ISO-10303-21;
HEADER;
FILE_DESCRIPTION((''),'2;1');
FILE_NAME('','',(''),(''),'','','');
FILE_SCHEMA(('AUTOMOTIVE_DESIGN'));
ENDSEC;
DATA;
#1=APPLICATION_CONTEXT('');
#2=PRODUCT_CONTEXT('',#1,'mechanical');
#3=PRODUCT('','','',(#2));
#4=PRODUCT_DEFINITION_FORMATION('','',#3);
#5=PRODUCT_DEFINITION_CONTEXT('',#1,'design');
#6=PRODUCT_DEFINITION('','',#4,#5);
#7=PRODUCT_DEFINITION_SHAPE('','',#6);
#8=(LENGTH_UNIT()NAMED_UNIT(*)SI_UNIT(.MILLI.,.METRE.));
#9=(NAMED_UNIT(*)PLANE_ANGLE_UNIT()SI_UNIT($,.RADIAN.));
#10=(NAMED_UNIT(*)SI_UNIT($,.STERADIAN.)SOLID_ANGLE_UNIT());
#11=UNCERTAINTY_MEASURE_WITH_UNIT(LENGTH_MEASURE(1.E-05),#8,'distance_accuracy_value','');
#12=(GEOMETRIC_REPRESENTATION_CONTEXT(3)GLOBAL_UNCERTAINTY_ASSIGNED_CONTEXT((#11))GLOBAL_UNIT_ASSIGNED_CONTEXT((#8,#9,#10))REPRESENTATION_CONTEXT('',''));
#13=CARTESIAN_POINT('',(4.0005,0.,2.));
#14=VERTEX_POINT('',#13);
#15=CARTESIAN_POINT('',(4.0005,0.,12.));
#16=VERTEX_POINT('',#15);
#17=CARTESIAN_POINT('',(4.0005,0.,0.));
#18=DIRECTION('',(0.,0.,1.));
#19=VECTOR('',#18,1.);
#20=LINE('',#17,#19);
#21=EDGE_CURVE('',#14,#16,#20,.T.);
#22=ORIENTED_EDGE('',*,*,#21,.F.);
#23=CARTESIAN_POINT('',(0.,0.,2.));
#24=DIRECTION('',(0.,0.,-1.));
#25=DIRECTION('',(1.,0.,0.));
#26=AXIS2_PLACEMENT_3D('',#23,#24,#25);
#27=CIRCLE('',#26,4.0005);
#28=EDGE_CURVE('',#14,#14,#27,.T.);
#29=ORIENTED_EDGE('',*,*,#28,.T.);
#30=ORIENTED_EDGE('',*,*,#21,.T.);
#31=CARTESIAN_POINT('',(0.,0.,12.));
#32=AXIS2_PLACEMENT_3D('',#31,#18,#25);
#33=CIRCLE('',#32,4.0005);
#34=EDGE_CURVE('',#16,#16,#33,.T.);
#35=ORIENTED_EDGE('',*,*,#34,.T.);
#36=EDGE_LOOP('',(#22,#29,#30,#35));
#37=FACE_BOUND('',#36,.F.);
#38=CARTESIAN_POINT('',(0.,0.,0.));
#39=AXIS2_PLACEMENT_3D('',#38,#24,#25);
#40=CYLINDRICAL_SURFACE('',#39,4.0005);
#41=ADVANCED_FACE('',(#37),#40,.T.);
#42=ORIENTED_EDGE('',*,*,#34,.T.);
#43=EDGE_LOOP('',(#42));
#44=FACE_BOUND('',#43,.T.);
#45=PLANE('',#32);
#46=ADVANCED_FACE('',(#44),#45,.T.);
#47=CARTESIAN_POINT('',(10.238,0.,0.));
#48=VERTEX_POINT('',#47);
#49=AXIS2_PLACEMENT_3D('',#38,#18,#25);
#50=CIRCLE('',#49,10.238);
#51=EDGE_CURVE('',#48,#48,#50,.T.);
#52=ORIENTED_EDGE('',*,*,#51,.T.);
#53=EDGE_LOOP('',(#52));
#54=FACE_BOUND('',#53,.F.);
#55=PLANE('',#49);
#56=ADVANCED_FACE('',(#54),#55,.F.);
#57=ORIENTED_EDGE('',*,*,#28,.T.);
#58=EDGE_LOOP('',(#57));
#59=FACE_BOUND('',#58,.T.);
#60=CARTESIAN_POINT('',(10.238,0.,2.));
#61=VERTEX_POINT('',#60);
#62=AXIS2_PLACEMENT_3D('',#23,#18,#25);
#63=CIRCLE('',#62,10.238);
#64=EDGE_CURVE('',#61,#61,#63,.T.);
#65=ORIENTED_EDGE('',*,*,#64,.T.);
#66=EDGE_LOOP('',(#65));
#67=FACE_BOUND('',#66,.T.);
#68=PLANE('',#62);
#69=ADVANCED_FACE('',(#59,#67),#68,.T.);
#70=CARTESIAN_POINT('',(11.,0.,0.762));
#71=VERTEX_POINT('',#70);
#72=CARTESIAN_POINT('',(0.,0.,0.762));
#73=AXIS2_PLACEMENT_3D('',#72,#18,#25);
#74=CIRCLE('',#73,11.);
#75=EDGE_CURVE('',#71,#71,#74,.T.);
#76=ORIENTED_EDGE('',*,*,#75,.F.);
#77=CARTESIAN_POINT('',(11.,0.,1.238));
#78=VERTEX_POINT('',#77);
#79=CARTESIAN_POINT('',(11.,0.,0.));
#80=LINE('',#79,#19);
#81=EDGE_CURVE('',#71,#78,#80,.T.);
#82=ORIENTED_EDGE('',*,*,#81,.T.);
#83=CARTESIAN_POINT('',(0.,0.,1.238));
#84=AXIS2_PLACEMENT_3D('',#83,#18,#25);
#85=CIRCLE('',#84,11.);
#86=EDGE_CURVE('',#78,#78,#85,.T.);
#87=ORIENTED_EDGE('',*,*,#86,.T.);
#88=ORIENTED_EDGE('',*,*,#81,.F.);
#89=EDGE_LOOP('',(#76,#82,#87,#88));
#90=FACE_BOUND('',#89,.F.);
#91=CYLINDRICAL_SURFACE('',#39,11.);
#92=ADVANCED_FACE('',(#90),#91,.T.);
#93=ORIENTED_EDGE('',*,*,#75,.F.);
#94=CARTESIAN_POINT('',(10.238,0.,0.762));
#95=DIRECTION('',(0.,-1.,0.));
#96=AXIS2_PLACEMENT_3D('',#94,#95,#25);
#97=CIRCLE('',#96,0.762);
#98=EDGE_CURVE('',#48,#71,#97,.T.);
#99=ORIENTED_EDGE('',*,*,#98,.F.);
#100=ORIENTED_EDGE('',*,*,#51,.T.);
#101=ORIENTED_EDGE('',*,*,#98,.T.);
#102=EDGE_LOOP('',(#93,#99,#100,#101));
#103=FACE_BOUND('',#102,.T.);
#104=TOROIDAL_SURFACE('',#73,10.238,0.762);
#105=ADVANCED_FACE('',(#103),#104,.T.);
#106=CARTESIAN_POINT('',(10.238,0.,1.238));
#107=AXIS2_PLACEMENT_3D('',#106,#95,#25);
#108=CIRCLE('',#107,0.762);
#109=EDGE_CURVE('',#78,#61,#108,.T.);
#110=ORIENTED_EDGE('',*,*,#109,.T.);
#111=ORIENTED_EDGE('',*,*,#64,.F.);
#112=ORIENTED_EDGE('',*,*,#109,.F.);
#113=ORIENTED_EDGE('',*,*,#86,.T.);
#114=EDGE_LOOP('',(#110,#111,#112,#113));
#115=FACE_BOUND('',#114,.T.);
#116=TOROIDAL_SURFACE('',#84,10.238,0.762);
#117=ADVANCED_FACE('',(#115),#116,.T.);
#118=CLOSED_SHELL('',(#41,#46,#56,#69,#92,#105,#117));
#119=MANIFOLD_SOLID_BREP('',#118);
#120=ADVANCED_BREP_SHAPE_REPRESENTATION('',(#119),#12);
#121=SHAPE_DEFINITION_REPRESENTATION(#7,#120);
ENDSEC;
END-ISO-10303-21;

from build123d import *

# Parameters (mm, degrees)
F0_R     = 11
F1_DEPTH = 2
F2_R     = 4.0005
F3_DEPTH = 12
F4_R     = 0.762


with BuildPart() as f1:
    # F0 (on Top) → F1 (new body)
    with BuildSketch(Plane.XY):
        Circle(F0_R)
    extrude(amount=F1_DEPTH)

    # F2 (on Top) → F3 (join)
    with BuildSketch(Plane.XY):
        Circle(F2_R)
    extrude(amount=F3_DEPTH)

    # F4
    f4_edges = [f1.edges().sort_by_distance(p)[0] for p in [
        (-11, 0, 2),
        (11, 0, 1),
        (-11, 0, 0),
    ]]
    fillet(f4_edges, radius=F4_R)


solid = f1.part
